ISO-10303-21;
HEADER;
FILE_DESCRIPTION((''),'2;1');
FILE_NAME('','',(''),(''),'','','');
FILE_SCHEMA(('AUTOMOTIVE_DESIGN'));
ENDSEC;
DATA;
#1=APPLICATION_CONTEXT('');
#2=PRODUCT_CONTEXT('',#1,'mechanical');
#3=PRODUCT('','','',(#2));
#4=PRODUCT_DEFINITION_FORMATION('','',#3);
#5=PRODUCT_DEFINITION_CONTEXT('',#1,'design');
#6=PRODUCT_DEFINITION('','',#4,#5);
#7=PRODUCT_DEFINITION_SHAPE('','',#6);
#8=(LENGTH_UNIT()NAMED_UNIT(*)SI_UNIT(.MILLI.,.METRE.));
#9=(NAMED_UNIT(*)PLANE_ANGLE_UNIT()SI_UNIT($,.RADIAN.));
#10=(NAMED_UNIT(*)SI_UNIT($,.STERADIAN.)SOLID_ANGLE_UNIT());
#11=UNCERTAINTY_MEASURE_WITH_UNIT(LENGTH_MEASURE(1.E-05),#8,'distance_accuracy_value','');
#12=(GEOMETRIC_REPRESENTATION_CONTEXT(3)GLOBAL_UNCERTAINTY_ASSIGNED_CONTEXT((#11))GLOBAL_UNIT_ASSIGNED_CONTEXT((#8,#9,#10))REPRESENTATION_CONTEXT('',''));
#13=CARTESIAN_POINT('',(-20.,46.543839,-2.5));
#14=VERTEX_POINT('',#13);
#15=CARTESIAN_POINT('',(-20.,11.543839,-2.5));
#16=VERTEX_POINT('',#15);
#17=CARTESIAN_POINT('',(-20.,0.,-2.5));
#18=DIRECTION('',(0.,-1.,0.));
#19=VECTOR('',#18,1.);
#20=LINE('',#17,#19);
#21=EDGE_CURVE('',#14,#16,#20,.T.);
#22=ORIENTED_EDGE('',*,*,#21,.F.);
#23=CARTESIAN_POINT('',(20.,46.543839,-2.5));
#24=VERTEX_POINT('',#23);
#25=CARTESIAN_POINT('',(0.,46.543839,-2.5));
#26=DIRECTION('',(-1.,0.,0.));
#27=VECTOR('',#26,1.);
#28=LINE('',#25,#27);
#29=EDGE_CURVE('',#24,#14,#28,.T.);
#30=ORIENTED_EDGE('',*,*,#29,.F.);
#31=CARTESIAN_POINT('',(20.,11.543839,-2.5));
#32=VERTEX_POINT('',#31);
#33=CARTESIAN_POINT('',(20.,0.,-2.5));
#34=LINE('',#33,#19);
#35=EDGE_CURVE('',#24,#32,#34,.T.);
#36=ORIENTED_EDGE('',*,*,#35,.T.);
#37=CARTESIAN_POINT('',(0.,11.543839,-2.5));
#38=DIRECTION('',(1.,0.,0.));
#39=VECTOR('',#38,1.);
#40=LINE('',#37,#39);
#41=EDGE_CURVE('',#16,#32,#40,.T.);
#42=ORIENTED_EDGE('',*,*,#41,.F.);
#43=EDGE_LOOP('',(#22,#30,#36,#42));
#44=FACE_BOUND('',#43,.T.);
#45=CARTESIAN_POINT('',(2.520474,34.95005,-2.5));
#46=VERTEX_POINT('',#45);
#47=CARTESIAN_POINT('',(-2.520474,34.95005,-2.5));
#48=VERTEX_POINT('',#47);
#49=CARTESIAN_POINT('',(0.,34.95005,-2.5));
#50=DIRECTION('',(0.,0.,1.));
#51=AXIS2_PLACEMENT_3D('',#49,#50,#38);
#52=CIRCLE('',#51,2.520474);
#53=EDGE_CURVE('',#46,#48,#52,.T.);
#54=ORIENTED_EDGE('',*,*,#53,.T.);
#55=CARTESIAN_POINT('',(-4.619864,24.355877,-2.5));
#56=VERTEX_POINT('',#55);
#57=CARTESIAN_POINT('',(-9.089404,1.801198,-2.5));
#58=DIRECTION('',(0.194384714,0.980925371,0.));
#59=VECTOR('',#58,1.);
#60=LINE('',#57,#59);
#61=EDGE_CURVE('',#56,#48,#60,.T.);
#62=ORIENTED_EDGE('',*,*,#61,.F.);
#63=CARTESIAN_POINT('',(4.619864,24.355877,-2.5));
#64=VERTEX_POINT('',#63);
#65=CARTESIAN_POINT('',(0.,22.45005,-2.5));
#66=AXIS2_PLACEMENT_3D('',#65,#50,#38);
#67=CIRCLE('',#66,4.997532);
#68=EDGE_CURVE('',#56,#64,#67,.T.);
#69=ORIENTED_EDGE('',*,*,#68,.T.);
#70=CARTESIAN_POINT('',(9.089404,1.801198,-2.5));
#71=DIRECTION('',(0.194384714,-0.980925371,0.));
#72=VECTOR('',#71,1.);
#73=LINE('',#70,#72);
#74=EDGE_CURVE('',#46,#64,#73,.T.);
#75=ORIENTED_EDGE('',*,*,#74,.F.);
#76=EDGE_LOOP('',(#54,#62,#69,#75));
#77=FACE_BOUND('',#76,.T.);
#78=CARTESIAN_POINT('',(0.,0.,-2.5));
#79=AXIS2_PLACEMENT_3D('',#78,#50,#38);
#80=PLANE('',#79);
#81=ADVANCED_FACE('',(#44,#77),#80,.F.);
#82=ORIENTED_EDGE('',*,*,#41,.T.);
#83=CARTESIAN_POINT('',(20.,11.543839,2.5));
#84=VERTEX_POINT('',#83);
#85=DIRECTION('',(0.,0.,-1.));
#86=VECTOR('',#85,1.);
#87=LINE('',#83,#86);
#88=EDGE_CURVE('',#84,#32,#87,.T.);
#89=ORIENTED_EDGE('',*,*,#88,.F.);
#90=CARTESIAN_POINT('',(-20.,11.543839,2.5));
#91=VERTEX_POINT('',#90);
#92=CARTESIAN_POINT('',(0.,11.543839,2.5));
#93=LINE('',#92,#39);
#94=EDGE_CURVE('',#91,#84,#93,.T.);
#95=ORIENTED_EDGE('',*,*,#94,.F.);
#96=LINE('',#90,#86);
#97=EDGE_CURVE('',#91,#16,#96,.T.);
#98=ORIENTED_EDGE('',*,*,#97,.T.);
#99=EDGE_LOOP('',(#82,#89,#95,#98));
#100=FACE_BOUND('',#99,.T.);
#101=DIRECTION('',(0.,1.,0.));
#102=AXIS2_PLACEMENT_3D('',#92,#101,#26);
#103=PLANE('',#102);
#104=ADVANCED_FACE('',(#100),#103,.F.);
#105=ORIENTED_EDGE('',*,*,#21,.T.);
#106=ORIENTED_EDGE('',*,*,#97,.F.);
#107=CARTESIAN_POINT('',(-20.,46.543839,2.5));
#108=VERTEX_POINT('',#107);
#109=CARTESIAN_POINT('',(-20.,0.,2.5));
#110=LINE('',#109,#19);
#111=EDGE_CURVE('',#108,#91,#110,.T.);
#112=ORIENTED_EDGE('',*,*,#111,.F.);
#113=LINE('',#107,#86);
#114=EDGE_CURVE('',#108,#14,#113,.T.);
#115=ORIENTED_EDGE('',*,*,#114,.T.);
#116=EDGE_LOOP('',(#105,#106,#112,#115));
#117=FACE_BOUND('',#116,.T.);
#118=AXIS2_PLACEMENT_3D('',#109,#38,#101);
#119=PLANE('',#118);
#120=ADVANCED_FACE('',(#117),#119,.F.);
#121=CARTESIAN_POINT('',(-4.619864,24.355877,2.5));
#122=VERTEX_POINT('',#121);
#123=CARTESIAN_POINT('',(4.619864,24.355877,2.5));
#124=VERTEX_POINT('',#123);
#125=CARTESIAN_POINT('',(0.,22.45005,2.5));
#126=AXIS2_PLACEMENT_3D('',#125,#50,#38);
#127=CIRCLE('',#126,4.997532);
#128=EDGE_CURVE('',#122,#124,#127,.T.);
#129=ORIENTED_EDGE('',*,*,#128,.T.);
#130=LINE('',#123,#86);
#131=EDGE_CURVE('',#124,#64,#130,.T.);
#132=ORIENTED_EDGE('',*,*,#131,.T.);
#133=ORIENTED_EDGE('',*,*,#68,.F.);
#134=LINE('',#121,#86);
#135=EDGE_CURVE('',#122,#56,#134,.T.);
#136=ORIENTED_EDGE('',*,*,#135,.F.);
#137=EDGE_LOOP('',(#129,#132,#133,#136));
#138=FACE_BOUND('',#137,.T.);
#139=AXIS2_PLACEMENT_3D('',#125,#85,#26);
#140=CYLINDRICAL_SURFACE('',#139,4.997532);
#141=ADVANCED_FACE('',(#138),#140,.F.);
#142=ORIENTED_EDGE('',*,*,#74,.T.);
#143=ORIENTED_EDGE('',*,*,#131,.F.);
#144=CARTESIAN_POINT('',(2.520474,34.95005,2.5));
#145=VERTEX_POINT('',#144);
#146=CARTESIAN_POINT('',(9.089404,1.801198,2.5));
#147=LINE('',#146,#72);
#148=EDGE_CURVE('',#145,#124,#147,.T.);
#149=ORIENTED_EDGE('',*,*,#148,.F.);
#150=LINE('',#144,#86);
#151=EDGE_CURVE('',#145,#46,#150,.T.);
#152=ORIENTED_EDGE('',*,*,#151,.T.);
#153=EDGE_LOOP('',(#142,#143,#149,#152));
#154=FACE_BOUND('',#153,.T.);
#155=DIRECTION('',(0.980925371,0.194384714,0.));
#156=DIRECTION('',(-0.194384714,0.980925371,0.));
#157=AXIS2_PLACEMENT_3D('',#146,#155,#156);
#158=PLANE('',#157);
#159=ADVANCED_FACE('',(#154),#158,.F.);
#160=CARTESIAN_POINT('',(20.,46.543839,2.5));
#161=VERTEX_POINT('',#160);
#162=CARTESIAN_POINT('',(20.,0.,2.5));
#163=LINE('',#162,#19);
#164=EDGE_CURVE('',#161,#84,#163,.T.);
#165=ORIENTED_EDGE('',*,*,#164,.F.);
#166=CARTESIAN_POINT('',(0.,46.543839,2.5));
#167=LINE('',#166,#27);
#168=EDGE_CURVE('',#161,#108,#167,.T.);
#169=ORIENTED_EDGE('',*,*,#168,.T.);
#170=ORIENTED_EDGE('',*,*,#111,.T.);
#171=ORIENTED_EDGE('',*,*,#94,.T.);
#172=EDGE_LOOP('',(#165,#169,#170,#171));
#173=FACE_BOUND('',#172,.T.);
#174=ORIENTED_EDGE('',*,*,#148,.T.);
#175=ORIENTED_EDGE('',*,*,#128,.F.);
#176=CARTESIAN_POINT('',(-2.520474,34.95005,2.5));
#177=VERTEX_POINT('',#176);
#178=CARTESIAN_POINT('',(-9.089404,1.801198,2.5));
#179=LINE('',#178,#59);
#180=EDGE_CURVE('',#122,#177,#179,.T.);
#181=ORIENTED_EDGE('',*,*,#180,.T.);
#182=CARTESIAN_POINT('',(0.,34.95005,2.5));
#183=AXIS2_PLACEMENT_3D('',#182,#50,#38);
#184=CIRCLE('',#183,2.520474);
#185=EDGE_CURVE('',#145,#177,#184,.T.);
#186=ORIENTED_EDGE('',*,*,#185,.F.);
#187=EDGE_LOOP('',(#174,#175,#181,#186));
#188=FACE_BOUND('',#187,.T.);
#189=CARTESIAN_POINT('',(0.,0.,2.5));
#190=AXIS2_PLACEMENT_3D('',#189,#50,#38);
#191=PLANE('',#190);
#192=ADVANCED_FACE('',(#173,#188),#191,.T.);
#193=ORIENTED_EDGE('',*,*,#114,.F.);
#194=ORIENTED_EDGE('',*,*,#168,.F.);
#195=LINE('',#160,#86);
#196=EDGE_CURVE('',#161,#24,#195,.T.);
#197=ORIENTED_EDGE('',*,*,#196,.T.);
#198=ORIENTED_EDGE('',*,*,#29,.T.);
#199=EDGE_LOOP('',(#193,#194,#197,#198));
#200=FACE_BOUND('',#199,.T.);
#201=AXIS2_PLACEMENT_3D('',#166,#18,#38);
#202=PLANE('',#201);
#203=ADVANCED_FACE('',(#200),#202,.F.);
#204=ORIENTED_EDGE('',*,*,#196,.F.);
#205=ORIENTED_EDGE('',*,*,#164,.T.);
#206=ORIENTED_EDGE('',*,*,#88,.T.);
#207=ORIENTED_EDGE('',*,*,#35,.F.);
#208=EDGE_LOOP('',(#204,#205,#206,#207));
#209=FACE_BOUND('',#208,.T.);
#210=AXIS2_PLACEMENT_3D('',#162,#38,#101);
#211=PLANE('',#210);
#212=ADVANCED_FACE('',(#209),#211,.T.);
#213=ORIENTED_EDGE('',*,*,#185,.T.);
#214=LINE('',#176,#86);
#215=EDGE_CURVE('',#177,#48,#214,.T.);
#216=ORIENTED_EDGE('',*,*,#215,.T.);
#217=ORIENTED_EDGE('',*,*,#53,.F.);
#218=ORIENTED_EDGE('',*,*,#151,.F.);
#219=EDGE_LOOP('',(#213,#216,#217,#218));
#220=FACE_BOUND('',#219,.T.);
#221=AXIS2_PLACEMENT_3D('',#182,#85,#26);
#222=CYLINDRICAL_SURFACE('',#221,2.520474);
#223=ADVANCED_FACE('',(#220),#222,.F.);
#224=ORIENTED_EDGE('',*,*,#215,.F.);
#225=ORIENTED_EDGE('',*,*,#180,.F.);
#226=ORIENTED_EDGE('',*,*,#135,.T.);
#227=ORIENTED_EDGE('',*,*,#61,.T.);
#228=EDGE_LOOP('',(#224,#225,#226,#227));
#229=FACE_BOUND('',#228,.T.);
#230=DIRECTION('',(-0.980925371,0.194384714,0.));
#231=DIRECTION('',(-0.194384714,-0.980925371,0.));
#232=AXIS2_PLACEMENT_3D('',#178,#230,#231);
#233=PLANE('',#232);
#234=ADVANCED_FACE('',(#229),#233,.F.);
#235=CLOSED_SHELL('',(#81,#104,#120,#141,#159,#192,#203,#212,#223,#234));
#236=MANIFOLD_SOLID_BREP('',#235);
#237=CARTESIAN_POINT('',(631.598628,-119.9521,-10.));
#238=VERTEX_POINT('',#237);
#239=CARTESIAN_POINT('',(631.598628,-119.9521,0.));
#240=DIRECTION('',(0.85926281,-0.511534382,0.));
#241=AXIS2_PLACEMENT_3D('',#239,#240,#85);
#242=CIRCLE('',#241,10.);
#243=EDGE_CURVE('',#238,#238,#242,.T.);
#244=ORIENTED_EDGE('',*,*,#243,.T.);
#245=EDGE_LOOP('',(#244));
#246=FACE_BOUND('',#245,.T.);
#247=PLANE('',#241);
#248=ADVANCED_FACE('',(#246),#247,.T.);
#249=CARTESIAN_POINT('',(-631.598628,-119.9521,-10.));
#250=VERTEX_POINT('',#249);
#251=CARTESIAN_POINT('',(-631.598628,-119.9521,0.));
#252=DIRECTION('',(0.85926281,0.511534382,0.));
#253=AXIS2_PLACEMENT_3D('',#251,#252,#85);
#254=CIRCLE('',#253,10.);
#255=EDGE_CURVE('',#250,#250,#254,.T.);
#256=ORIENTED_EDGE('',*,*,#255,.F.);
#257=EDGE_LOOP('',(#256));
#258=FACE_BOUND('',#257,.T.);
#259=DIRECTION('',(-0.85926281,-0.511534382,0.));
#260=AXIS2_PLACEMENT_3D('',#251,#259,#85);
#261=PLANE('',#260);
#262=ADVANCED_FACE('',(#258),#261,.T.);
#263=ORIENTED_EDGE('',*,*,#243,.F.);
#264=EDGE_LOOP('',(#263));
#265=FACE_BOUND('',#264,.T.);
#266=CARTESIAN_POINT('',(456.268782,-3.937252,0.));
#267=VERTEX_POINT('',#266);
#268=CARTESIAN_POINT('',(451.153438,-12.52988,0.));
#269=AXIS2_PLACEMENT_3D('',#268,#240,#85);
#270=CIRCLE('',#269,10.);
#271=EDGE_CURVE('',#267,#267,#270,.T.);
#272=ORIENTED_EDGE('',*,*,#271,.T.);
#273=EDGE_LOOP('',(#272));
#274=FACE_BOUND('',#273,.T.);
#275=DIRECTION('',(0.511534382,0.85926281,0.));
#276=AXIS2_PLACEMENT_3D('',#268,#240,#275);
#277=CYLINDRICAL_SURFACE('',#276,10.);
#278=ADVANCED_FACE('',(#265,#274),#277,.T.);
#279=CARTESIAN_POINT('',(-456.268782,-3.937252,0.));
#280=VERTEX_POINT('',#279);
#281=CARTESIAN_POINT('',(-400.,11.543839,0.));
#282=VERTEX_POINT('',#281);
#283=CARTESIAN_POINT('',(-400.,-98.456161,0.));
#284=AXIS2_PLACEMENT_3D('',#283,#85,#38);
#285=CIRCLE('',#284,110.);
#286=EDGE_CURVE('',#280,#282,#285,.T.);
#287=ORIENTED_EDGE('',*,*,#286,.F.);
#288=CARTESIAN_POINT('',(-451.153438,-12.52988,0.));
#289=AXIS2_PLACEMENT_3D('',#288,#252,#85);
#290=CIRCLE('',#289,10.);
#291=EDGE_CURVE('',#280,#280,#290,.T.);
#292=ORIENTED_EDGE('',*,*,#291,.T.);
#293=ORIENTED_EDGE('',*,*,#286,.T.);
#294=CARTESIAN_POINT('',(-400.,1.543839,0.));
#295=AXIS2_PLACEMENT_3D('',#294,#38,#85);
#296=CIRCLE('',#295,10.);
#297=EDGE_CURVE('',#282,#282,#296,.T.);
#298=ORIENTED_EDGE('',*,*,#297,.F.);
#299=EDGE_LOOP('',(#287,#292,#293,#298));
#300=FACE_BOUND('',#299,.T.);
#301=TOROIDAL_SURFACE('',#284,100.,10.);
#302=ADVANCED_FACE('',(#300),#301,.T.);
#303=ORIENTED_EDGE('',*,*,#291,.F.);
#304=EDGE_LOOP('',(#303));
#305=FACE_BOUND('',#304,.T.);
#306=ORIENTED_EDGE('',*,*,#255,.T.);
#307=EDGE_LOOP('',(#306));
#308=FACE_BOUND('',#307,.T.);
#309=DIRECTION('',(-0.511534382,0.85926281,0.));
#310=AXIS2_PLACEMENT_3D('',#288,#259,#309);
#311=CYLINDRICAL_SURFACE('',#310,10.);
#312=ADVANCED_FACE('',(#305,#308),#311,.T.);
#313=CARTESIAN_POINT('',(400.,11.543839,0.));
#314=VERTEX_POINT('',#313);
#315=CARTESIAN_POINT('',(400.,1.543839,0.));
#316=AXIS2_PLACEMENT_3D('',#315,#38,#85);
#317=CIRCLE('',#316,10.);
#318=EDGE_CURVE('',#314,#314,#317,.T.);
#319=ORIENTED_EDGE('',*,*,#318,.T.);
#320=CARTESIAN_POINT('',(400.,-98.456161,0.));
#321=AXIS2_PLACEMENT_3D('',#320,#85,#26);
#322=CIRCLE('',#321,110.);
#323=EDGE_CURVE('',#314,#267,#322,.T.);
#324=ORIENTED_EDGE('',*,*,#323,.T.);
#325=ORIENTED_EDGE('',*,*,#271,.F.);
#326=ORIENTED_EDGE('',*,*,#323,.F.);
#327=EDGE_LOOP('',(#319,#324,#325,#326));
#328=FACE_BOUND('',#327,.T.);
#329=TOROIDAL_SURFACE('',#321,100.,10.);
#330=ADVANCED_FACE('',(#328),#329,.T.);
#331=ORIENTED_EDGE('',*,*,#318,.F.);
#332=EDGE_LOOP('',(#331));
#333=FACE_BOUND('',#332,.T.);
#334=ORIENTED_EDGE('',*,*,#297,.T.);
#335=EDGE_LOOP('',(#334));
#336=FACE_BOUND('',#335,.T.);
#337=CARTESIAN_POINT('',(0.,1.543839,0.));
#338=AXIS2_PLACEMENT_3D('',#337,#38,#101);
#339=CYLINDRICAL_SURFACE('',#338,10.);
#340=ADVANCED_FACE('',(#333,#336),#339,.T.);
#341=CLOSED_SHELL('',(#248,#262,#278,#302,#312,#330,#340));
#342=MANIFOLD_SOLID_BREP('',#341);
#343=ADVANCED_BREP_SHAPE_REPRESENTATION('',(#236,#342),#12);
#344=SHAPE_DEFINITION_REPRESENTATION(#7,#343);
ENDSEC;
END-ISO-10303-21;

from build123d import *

# Parameters (mm, degrees)
SKETCH2_R           = 10
SKETCH3_W           = 40
SKETCH3_H           = 35
BOSS_EXTRUDE1_DEPTH = 2.5


with BuildPart() as part:
    # Sweep1: sweep along a path in Sketch1
    with BuildLine(Plane.XY) as sweep1_path:
        Line((0, 1.543839384), (400, 1.543839384))
        ThreePointArc((400, 1.543839384), (426.52707958, -2.038765666), (451.153438175, -12.529879637))
        Line((451.153438175, -12.529879637), (631.598628231, -119.952099804))
    # Sketch2 → Sweep1 (sweep)
    with BuildSketch(Plane(origin=(0, 0, 0), x_dir=(0, 0, -1), z_dir=(1, 0, 0))):
        with Locations((0, 1.543839384)):
            Circle(SKETCH2_R)
    sweep(path=sweep1_path.line)

    # Mirror1: part across plane


with BuildPart() as part_1:
    add(part.part)
    add(part.part.mirror(Plane(origin=(0, 1.543839384, 0), x_dir=(0, 0, 1), z_dir=(1, 0, 0))))


with BuildPart() as body_2:
    # Sketch3 → Boss-Extrude1 (new, symmetric)
    with BuildSketch(Plane.XY):
        with Locations((0, 29.043839384)):
            Rectangle(SKETCH3_W, SKETCH3_H)
        with BuildLine():
            ThreePointArc((2.520474072, 34.950049529), (0, 37.470523601), (-2.520474072, 34.950049529))
            Line((-2.520474072, 34.950049529), (-4.619864303, 24.355877315))
            ThreePointArc((-4.619864303, 24.355877315), (0, 17.452517565), (4.619864303, 24.355877315))
            Line((4.619864303, 24.355877315), (2.520474072, 34.950049529))
        make_face(mode=Mode.SUBTRACT)
    extrude(amount=BOSS_EXTRUDE1_DEPTH, both=True)


solid = Compound([part_1.part, body_2.part])
